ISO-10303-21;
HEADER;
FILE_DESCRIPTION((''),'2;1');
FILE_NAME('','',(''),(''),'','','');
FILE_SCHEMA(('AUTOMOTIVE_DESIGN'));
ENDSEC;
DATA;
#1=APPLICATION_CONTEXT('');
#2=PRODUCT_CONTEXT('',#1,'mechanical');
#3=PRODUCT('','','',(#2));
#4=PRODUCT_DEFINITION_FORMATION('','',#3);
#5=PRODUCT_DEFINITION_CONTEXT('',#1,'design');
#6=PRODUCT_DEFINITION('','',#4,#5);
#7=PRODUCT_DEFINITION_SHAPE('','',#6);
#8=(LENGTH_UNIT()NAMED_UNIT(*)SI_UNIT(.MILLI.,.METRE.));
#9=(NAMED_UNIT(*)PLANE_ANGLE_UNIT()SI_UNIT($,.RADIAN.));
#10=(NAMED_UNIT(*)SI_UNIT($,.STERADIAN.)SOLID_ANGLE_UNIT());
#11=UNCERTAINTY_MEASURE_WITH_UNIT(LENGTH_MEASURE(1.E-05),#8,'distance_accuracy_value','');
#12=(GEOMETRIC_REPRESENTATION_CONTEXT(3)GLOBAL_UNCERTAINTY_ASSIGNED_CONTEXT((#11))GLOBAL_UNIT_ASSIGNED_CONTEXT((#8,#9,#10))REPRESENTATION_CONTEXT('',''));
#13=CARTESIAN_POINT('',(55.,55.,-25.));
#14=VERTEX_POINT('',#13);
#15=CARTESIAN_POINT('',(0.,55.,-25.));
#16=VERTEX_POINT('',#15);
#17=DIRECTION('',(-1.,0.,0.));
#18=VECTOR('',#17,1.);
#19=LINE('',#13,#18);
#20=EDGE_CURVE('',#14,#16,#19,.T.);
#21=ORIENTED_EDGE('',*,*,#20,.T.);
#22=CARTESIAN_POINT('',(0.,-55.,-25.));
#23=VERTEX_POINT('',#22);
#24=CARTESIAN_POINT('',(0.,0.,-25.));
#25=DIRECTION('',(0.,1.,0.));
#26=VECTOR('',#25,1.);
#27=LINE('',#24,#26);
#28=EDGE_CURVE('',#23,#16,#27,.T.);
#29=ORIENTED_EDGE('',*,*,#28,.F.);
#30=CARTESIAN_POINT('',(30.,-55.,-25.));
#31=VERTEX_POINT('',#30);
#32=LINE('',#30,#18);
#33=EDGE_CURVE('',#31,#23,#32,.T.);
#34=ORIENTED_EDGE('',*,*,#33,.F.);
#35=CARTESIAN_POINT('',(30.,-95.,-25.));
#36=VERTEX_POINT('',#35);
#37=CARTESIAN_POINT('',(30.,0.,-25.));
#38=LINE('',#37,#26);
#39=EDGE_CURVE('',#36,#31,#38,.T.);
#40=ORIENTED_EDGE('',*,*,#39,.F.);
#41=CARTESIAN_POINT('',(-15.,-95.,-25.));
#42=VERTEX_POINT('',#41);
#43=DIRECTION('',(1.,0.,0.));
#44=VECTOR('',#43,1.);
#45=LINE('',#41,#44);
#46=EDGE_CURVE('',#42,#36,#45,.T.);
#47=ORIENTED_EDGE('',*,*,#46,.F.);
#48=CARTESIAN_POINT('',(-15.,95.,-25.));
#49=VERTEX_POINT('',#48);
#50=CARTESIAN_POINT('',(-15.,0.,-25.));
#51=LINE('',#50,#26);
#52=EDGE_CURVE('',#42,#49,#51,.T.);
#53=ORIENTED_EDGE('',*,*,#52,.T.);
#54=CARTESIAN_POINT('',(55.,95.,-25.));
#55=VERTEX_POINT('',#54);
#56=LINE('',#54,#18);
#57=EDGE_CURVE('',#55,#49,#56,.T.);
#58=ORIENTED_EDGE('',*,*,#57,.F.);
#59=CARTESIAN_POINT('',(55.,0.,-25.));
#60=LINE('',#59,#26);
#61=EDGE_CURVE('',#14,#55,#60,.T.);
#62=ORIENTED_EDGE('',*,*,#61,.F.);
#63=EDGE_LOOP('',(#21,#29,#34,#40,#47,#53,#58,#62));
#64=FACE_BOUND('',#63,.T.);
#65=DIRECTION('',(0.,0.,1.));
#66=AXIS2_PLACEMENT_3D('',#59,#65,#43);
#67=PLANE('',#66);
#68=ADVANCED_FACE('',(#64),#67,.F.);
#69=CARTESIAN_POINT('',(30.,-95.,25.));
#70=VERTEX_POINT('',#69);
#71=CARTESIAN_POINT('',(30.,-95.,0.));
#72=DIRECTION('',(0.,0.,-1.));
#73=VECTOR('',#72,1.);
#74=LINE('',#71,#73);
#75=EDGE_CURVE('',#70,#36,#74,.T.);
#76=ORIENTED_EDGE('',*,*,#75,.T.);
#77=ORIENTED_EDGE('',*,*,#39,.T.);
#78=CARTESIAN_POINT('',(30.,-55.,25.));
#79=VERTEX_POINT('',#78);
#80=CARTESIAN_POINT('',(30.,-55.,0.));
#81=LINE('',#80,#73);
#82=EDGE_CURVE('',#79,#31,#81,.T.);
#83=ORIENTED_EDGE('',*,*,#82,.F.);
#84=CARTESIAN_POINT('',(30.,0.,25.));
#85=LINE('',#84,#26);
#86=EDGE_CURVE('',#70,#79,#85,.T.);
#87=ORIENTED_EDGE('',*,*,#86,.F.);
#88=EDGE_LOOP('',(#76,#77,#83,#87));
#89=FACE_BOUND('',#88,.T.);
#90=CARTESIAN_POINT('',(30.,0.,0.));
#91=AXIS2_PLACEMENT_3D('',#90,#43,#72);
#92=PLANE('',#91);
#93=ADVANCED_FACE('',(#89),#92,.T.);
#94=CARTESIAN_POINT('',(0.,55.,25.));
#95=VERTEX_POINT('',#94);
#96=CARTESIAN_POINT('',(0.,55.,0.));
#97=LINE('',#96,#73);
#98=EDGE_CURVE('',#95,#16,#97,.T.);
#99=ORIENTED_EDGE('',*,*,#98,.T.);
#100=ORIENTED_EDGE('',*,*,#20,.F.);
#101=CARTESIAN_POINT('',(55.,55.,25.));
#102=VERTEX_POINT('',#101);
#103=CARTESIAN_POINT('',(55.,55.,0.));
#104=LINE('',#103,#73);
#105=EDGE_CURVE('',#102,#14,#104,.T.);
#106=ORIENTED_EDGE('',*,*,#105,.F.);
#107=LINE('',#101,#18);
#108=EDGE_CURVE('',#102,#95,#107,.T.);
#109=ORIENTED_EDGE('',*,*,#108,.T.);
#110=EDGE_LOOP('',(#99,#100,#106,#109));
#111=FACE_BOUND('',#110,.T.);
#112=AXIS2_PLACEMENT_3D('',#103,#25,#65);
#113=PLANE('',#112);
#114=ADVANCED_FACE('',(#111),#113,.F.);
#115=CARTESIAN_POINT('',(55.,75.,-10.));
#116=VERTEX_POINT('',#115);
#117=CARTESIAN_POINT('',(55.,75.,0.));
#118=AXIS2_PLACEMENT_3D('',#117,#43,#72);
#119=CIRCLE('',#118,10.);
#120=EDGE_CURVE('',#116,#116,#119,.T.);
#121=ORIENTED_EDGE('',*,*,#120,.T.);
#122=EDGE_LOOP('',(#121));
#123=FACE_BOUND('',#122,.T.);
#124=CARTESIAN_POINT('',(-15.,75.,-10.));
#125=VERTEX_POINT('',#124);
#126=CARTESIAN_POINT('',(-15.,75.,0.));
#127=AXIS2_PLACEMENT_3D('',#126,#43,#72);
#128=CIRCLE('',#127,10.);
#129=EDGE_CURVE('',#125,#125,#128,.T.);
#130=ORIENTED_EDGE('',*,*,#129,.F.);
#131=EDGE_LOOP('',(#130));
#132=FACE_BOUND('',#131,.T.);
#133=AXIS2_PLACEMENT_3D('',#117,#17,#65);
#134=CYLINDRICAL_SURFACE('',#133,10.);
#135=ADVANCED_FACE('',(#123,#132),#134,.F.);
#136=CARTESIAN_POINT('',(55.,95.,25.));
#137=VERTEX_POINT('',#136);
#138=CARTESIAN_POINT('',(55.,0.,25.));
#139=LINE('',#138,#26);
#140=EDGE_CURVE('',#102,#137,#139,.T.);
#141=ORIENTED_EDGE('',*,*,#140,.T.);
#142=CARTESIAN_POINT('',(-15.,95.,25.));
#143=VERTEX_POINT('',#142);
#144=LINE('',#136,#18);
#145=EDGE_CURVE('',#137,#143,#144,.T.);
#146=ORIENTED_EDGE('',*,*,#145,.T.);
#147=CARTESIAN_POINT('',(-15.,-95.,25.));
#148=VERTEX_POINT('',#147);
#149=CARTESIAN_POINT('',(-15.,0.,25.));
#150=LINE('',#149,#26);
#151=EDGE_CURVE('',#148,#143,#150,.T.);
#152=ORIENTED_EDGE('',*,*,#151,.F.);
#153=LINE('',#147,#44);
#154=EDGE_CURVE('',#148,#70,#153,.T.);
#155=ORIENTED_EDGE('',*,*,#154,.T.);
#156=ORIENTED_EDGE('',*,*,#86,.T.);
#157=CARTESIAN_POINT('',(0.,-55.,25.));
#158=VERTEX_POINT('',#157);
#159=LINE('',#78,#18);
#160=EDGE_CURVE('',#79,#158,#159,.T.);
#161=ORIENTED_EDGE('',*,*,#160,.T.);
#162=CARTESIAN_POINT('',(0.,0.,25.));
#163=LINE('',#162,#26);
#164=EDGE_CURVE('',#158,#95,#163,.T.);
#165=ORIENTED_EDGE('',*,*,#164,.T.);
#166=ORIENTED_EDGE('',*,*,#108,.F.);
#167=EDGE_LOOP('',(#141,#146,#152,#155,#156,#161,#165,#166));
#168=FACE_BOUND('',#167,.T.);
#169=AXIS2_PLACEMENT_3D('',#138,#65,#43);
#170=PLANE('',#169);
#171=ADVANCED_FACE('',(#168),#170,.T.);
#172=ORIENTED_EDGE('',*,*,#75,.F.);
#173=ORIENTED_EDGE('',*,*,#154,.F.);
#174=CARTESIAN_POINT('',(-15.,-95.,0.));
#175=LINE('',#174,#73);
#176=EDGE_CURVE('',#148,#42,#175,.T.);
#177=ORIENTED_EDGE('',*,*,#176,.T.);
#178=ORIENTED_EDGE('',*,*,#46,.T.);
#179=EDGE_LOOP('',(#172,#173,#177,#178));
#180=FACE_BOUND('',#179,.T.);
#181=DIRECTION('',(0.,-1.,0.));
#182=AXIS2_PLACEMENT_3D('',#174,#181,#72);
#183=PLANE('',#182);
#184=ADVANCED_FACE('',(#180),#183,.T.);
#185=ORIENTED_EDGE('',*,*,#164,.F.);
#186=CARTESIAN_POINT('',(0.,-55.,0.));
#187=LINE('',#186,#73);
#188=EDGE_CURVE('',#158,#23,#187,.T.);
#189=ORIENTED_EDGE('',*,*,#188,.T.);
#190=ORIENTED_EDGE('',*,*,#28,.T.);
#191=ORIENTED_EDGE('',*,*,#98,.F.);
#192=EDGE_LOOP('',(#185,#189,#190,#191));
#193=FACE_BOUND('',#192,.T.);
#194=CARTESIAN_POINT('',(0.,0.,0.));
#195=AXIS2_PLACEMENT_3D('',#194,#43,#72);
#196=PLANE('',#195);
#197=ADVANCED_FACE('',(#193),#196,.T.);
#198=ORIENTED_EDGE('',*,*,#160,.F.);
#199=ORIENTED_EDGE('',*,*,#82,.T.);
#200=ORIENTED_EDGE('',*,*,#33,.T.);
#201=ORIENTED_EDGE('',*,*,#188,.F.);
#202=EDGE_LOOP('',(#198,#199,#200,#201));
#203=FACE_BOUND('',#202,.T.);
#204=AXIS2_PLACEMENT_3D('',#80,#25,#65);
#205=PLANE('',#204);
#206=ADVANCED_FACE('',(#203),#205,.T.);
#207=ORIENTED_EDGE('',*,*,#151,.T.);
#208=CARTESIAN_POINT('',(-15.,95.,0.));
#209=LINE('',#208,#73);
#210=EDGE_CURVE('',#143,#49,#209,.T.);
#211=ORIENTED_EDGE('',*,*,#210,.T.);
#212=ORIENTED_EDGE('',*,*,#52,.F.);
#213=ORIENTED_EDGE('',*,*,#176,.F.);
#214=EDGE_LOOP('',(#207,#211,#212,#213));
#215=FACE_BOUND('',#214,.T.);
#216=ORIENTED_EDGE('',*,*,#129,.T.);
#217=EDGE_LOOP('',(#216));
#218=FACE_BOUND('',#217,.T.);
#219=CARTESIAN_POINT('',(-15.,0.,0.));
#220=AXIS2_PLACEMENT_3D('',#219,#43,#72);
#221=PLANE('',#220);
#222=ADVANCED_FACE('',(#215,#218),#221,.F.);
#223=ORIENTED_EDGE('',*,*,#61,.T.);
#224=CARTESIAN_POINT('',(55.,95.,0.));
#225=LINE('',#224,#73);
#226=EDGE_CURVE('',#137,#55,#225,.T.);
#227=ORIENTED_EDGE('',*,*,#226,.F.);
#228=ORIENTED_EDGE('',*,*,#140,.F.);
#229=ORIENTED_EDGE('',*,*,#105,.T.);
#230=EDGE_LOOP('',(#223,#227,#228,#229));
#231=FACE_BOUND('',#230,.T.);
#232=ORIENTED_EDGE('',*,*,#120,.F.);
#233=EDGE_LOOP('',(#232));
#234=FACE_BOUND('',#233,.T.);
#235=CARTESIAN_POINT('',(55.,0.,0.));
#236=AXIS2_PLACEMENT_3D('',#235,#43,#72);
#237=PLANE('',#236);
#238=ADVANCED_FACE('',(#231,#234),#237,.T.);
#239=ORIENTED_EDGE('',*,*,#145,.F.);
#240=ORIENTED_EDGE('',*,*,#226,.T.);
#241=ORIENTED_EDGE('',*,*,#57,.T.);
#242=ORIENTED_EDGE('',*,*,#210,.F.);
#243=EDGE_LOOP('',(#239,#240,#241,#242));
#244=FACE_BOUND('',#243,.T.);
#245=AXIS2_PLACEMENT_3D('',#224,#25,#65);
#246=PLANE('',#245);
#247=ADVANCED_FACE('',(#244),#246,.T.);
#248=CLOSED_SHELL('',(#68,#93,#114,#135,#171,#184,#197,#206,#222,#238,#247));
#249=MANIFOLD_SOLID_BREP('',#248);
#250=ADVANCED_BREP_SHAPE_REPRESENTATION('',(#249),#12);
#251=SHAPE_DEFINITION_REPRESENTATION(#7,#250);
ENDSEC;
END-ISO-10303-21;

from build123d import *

# Parameters (mm, degrees)
SKETCH1_W           = 50
SKETCH1_H           = 40
SKETCH1_R           = 10
BOSS_EXTRUDE1_DEPTH = 55
BOSS_EXTRUDE2_START = -15
SKETCH1_3_W         = 50
SKETCH1_3_H         = 190
SKETCH1_3_R         = 10
BOSS_EXTRUDE2_DEPTH = 15
SKETCH1_4_W         = 50
SKETCH1_4_H         = 40
BOSS_EXTRUDE3_DEPTH = 30


with BuildPart() as part:
    # Sketch1 → Boss-Extrude1 (new body)
    with BuildSketch(Plane(origin=(0, 0, 0), x_dir=(0, 0, -1), z_dir=(1, 0, 0))):
        with Locations((0, 75)):
            Rectangle(SKETCH1_W, SKETCH1_H)
        with Locations((0, 75)):
            Circle(SKETCH1_R, mode=Mode.SUBTRACT)
    extrude(amount=BOSS_EXTRUDE1_DEPTH)

    # Sketch1<3> → Boss-Extrude2 (add)
    with BuildSketch(Plane(origin=(0, 0, 0), x_dir=(0, 0, -1), z_dir=(1, 0, 0)).offset(BOSS_EXTRUDE2_START)):
        Rectangle(SKETCH1_3_W, SKETCH1_3_H)
        with Locations((0, 75)):
            Circle(SKETCH1_3_R, mode=Mode.SUBTRACT)
    extrude(amount=BOSS_EXTRUDE2_DEPTH)

    # Sketch1<4> → Boss-Extrude3 (add)
    with BuildSketch(Plane(origin=(0, 0, 0), x_dir=(0, 0, -1), z_dir=(1, 0, 0))):
        with Locations((0, -75)):
            Rectangle(SKETCH1_4_W, SKETCH1_4_H)
    extrude(amount=BOSS_EXTRUDE3_DEPTH)


solid = part.part
